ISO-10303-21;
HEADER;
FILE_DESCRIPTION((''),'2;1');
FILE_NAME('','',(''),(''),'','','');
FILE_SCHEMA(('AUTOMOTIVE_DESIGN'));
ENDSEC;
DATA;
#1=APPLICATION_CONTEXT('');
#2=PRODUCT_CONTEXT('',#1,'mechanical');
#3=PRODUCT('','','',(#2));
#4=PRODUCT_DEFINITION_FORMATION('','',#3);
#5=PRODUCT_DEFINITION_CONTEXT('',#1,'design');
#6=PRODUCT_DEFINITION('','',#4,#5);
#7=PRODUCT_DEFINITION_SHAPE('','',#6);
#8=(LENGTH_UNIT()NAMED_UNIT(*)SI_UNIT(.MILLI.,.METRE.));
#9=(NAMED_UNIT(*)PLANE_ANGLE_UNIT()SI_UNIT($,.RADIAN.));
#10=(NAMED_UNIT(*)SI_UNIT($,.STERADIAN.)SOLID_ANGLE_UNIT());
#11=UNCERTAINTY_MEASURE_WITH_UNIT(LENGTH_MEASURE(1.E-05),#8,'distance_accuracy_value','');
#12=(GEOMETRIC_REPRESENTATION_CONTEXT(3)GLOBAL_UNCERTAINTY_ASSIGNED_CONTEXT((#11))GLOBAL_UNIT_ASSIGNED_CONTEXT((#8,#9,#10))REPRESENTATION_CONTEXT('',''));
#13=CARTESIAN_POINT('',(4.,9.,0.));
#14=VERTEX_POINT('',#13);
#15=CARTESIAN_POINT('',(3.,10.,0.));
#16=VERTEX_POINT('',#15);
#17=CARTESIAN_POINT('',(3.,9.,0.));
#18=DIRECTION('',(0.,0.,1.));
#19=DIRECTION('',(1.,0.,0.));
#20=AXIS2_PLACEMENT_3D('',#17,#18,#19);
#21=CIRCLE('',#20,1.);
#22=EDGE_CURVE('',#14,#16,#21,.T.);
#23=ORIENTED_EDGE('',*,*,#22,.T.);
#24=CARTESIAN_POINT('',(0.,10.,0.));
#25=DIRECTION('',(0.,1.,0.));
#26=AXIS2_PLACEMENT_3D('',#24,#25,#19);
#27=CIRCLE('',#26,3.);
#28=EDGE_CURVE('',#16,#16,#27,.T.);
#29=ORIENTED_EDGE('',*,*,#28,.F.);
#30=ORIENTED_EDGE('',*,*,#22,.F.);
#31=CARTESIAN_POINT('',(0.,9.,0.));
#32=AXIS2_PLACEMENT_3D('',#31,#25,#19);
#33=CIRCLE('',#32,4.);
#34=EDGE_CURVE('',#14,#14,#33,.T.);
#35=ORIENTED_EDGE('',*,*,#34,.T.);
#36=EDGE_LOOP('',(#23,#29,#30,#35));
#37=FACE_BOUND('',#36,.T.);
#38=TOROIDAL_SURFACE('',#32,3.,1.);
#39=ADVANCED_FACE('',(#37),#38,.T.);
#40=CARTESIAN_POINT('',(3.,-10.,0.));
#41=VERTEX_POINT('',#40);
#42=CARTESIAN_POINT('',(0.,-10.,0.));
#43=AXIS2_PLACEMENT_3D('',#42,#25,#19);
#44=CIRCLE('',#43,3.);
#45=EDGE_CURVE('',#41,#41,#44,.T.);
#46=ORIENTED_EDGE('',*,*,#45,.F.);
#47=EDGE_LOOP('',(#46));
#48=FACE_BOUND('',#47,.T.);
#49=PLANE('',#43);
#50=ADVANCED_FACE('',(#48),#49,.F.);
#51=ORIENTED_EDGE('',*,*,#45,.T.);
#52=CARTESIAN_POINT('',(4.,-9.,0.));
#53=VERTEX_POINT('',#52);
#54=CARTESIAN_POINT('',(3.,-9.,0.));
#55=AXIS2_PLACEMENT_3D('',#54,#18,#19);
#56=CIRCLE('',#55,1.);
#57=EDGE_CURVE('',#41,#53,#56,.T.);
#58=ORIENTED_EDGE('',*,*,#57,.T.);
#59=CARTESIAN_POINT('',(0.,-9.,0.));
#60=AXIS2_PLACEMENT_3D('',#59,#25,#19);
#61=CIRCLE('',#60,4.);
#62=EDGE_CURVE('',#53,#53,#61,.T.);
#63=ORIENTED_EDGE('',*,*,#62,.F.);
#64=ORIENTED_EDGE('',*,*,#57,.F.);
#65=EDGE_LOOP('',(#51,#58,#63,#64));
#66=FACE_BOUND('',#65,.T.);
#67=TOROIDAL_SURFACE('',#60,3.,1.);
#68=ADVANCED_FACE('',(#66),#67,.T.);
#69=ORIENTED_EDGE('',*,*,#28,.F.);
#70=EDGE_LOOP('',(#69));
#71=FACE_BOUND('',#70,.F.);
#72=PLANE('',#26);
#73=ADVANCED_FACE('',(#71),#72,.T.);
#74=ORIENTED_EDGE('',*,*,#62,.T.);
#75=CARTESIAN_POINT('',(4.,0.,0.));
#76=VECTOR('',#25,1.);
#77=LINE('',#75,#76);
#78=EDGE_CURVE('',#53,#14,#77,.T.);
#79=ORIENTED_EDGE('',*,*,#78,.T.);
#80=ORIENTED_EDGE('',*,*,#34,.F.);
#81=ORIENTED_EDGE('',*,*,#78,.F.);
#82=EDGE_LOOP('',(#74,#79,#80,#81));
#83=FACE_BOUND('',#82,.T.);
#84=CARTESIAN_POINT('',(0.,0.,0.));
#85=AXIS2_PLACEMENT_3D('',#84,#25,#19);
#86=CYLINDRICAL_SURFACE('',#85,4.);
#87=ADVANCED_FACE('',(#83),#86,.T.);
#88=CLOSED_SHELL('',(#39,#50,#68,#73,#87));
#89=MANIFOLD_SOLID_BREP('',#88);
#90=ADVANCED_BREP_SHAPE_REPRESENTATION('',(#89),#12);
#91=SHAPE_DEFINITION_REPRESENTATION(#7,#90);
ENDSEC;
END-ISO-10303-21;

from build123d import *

# Parameters (mm, degrees)
SKETCH_W = 4
SKETCH_H = 20
FILLET_R = 1


with BuildPart() as part:
    # Sketch → Revolution (revolve)
    with BuildSketch(Plane.XY):
        with Locations((2, 0)):
            Rectangle(SKETCH_W, SKETCH_H)
    revolve(axis=Axis((0, 0, 0), (0, 1, 0)))

    # Fillet
    fillet_edges = [part.edges().sort_by_distance(p)[0] for p in [
        (-4, 10, 0),
        (-4, -10, 0),
    ]]
    fillet(fillet_edges, radius=FILLET_R)


solid = part.part
